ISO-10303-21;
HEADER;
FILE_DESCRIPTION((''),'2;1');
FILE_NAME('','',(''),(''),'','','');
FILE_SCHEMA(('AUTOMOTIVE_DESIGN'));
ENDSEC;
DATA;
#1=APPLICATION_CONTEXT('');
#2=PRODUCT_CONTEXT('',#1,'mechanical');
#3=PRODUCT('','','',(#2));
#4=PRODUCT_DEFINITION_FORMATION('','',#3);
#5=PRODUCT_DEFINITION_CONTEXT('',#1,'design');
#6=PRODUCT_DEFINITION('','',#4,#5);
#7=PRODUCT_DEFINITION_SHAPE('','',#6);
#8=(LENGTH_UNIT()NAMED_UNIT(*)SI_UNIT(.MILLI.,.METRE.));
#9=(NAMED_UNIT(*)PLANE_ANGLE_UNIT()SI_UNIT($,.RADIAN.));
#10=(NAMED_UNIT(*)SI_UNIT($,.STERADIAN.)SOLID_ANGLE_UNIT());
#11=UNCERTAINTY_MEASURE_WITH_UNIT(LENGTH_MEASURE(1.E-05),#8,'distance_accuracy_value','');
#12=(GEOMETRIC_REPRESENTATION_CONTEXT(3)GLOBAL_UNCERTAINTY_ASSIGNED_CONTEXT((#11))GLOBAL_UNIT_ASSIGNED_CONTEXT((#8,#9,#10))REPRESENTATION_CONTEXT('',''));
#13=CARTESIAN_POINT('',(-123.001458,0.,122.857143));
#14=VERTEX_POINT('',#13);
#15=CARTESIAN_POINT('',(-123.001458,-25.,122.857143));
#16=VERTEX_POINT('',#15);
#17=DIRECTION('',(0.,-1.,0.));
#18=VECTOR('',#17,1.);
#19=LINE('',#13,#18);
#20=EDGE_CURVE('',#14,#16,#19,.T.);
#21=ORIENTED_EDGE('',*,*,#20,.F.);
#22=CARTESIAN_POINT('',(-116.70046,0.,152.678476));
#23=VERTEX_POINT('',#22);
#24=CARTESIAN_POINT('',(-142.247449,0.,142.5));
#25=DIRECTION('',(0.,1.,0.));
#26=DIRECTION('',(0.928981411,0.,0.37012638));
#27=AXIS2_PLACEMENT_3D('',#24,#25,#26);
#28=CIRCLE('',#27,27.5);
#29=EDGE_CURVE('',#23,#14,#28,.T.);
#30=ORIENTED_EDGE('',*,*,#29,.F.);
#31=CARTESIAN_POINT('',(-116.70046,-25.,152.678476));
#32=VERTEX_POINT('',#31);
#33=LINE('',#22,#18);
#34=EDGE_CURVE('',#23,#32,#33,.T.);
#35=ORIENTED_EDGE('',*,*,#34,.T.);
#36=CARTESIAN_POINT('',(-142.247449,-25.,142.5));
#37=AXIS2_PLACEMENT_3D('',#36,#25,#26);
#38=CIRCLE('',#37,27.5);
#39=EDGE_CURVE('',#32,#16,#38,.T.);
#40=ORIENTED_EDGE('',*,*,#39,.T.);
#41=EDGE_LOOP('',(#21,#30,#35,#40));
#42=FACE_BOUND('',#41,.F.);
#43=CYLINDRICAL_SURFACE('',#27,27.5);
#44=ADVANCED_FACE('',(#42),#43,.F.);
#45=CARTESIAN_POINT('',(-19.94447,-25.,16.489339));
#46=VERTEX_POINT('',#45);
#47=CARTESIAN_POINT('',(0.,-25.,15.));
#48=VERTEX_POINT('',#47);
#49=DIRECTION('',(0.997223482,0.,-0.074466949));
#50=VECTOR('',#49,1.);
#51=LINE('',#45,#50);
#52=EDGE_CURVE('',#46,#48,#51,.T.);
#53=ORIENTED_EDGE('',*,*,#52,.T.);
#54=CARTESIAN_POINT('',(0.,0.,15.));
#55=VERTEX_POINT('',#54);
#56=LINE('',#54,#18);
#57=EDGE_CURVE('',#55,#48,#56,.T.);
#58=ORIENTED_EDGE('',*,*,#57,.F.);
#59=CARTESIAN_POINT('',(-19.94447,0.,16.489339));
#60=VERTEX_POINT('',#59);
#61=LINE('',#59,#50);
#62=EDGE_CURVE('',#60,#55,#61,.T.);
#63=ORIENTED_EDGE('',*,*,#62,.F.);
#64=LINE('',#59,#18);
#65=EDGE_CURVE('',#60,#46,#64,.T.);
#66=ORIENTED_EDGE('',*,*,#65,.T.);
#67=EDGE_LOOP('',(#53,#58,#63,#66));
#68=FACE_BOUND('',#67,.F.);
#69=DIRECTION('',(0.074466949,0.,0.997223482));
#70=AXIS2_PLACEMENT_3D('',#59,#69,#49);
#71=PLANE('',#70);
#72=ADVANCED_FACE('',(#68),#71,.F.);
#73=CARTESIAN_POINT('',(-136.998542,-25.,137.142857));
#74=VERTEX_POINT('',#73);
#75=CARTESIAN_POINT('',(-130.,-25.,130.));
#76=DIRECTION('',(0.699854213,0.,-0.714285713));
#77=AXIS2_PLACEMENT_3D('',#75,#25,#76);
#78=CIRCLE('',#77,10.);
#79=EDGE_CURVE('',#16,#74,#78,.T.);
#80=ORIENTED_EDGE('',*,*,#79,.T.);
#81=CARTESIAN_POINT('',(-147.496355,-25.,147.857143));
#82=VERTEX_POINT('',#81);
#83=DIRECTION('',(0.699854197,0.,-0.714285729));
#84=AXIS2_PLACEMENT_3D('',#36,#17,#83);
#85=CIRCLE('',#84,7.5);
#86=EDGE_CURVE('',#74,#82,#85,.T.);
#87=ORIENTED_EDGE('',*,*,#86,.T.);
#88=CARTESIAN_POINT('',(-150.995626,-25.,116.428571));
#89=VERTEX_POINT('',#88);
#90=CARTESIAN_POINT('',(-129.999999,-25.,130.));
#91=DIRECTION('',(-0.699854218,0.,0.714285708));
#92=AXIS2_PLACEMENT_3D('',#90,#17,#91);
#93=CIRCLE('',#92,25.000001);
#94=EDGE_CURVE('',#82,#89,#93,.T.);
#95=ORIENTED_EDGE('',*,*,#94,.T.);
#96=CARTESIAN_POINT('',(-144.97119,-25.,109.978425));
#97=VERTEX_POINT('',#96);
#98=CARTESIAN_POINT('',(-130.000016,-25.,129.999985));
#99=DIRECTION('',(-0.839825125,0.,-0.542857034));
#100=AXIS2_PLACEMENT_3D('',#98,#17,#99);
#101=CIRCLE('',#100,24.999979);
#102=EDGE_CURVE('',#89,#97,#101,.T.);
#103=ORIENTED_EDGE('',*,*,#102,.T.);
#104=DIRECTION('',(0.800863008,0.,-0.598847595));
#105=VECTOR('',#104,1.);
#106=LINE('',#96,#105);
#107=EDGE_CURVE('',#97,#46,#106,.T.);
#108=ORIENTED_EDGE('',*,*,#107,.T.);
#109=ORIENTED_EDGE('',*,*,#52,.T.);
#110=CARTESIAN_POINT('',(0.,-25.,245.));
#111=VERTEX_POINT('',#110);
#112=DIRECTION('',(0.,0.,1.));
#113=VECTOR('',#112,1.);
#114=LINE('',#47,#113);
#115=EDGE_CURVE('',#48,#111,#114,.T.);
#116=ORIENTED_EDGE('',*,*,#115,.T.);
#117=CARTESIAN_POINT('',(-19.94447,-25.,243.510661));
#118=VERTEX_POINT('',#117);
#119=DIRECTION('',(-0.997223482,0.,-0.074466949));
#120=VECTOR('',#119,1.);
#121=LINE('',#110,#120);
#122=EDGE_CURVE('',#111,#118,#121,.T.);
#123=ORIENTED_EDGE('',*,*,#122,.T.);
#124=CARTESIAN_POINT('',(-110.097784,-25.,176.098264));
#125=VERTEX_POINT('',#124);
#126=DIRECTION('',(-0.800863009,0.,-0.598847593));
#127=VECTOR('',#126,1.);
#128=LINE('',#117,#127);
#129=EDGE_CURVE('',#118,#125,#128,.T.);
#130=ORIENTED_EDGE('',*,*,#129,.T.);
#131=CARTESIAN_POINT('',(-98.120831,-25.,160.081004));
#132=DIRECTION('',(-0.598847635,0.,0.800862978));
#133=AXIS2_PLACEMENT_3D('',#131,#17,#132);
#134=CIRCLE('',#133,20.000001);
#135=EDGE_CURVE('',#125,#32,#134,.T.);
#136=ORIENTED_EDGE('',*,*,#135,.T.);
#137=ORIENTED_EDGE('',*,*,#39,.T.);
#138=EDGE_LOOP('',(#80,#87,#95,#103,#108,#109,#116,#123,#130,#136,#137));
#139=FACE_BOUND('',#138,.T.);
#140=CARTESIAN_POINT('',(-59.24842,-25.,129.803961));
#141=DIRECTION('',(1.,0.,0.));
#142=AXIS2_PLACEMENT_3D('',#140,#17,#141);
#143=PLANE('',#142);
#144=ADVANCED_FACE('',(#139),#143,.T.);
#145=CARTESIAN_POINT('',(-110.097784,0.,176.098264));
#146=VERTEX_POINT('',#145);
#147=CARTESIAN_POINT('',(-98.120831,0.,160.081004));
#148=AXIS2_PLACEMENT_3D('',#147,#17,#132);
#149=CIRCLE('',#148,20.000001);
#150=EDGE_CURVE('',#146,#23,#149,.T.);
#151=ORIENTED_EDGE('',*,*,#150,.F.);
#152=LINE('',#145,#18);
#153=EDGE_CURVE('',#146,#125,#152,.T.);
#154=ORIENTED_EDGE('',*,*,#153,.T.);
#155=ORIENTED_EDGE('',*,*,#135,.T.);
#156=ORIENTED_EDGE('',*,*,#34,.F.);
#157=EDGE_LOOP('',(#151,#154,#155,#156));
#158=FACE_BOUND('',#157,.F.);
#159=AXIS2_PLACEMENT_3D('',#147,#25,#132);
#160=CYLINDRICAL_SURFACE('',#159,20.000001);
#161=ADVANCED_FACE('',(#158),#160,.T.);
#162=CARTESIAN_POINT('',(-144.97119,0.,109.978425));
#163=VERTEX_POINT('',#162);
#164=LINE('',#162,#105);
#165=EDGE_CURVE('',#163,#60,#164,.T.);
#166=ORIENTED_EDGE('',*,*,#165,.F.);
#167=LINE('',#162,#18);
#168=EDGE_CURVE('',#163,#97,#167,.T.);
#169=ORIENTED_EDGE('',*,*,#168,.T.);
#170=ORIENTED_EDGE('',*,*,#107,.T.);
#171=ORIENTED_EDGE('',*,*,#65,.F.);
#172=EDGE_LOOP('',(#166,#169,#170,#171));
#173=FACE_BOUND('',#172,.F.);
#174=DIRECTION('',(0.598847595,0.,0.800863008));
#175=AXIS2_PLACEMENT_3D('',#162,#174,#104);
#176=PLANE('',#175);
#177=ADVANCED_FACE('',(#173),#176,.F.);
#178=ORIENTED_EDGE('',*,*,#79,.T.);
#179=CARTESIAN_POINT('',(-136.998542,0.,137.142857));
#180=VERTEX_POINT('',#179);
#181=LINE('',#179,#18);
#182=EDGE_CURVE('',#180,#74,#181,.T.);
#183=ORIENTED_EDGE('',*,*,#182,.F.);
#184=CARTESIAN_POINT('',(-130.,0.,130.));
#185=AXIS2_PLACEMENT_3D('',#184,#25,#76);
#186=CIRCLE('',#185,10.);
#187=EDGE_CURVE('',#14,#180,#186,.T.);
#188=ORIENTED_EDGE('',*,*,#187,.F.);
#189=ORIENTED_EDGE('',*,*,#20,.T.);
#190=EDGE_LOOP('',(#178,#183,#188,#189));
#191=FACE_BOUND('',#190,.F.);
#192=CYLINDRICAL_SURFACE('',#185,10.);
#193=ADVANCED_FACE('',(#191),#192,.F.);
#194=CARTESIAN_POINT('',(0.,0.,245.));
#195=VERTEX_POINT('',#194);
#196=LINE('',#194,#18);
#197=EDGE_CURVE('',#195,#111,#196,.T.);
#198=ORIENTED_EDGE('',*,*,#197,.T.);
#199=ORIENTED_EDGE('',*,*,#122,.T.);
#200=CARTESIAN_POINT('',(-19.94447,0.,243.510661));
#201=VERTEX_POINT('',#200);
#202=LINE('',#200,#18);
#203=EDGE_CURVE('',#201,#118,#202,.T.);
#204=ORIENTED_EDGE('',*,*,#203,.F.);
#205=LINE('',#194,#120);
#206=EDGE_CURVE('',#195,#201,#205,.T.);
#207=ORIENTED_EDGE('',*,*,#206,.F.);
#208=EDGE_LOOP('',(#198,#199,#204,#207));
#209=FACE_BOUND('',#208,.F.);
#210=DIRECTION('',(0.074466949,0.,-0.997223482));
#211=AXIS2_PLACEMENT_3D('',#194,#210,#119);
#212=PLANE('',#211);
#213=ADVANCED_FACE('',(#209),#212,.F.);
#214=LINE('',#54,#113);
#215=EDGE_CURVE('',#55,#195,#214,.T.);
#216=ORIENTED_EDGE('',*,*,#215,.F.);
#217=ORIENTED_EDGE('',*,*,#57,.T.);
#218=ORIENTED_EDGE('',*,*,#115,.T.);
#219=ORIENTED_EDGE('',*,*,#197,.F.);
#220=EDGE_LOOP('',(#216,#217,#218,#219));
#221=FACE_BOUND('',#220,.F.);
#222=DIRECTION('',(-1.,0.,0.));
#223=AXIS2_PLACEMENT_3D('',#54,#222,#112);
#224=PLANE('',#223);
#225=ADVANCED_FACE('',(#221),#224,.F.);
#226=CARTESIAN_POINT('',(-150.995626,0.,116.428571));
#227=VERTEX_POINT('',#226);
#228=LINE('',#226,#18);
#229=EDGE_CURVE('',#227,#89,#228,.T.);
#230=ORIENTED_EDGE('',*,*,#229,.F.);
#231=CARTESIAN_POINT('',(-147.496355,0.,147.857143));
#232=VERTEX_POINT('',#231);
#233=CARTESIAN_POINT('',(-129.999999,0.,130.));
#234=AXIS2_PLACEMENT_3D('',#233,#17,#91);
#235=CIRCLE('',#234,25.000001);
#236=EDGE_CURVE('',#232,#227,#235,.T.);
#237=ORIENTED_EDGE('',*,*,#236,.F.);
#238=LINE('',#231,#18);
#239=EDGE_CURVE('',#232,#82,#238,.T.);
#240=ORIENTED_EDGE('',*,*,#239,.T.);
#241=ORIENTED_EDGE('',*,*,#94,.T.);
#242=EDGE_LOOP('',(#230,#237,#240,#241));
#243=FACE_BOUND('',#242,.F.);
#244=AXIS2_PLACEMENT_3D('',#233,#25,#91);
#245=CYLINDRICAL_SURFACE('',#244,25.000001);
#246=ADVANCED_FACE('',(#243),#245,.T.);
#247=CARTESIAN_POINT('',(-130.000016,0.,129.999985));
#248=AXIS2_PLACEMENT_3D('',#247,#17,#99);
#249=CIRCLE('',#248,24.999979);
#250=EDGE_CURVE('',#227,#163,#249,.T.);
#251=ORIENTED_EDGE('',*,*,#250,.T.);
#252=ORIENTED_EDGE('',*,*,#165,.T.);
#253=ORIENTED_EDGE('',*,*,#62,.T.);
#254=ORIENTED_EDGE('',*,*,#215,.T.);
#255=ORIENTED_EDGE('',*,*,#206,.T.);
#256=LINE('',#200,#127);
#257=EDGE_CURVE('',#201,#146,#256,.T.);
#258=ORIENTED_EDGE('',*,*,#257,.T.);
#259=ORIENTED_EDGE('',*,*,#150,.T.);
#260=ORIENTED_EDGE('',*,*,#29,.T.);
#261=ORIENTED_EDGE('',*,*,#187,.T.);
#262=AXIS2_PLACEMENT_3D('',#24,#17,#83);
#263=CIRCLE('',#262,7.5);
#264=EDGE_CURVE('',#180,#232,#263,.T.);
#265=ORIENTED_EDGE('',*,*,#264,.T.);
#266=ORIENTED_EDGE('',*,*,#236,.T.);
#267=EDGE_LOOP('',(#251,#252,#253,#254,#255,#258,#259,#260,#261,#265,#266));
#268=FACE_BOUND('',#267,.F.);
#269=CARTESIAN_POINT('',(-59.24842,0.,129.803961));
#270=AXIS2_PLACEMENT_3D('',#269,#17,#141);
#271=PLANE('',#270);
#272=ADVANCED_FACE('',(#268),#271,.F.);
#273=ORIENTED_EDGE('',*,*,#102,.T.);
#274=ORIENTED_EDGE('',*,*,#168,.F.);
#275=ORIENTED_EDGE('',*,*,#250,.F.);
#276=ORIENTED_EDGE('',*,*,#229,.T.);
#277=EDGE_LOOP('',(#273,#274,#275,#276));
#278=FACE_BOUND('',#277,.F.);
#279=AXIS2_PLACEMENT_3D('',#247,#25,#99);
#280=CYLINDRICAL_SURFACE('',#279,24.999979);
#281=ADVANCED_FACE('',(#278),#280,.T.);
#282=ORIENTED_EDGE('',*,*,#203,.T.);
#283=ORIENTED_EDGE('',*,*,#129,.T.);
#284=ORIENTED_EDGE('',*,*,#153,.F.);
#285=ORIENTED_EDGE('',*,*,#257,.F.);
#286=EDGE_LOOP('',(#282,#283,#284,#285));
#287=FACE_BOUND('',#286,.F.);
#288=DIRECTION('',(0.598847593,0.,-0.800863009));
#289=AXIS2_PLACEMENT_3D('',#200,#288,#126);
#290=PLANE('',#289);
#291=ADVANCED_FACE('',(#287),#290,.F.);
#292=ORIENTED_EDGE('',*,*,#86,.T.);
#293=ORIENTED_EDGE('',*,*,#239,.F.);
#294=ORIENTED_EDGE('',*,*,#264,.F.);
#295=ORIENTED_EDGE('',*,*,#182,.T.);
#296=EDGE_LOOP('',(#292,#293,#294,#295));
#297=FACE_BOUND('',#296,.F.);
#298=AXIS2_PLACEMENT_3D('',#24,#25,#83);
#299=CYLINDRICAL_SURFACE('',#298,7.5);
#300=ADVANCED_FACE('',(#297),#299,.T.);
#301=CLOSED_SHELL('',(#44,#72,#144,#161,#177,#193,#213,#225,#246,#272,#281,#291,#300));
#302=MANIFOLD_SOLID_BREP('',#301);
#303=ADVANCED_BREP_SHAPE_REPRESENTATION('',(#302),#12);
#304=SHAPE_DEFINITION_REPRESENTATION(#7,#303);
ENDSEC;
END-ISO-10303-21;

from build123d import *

# Parameters (mm, degrees)
F1_DEPTH = 25


with BuildPart() as f1:
    # F0 (on Front) → F1 (new body)
    with BuildSketch(Plane.XZ):
        with BuildLine():
            ThreePointArc((-123.001458, 122.857143), (-137.142857, 123.001458), (-136.998542, 137.142857))
            ThreePointArc((-136.998542, 137.142857), (-136.890306, 147.748907), (-147.496355, 147.857143))
            ThreePointArc((-147.496355, 147.857143), (-154.846467, 132.766417), (-150.995626, 116.428571))
            ThreePointArc((-150.995626, 116.428571), (-148.270306, 112.935536), (-144.97119, 109.978425))
            Line((-144.97119, 109.978425), (-19.94447, 16.489339))
            Line((-19.94447, 16.489339), (0, 15))
            Line((0, 15), (0, 245))
            Line((0, 245), (-19.94447, 243.510661))
            Line((-19.94447, 243.510661), (-110.097784, 176.098264))
            ThreePointArc((-110.097784, 176.098264), (-117.370449, 165.507995), (-116.70046, 152.678476))
            ThreePointArc((-116.70046, 152.678476), (-115.341488, 136.814996), (-123.001458, 122.857143))
        make_face()
    extrude(amount=F1_DEPTH)


solid = f1.part
